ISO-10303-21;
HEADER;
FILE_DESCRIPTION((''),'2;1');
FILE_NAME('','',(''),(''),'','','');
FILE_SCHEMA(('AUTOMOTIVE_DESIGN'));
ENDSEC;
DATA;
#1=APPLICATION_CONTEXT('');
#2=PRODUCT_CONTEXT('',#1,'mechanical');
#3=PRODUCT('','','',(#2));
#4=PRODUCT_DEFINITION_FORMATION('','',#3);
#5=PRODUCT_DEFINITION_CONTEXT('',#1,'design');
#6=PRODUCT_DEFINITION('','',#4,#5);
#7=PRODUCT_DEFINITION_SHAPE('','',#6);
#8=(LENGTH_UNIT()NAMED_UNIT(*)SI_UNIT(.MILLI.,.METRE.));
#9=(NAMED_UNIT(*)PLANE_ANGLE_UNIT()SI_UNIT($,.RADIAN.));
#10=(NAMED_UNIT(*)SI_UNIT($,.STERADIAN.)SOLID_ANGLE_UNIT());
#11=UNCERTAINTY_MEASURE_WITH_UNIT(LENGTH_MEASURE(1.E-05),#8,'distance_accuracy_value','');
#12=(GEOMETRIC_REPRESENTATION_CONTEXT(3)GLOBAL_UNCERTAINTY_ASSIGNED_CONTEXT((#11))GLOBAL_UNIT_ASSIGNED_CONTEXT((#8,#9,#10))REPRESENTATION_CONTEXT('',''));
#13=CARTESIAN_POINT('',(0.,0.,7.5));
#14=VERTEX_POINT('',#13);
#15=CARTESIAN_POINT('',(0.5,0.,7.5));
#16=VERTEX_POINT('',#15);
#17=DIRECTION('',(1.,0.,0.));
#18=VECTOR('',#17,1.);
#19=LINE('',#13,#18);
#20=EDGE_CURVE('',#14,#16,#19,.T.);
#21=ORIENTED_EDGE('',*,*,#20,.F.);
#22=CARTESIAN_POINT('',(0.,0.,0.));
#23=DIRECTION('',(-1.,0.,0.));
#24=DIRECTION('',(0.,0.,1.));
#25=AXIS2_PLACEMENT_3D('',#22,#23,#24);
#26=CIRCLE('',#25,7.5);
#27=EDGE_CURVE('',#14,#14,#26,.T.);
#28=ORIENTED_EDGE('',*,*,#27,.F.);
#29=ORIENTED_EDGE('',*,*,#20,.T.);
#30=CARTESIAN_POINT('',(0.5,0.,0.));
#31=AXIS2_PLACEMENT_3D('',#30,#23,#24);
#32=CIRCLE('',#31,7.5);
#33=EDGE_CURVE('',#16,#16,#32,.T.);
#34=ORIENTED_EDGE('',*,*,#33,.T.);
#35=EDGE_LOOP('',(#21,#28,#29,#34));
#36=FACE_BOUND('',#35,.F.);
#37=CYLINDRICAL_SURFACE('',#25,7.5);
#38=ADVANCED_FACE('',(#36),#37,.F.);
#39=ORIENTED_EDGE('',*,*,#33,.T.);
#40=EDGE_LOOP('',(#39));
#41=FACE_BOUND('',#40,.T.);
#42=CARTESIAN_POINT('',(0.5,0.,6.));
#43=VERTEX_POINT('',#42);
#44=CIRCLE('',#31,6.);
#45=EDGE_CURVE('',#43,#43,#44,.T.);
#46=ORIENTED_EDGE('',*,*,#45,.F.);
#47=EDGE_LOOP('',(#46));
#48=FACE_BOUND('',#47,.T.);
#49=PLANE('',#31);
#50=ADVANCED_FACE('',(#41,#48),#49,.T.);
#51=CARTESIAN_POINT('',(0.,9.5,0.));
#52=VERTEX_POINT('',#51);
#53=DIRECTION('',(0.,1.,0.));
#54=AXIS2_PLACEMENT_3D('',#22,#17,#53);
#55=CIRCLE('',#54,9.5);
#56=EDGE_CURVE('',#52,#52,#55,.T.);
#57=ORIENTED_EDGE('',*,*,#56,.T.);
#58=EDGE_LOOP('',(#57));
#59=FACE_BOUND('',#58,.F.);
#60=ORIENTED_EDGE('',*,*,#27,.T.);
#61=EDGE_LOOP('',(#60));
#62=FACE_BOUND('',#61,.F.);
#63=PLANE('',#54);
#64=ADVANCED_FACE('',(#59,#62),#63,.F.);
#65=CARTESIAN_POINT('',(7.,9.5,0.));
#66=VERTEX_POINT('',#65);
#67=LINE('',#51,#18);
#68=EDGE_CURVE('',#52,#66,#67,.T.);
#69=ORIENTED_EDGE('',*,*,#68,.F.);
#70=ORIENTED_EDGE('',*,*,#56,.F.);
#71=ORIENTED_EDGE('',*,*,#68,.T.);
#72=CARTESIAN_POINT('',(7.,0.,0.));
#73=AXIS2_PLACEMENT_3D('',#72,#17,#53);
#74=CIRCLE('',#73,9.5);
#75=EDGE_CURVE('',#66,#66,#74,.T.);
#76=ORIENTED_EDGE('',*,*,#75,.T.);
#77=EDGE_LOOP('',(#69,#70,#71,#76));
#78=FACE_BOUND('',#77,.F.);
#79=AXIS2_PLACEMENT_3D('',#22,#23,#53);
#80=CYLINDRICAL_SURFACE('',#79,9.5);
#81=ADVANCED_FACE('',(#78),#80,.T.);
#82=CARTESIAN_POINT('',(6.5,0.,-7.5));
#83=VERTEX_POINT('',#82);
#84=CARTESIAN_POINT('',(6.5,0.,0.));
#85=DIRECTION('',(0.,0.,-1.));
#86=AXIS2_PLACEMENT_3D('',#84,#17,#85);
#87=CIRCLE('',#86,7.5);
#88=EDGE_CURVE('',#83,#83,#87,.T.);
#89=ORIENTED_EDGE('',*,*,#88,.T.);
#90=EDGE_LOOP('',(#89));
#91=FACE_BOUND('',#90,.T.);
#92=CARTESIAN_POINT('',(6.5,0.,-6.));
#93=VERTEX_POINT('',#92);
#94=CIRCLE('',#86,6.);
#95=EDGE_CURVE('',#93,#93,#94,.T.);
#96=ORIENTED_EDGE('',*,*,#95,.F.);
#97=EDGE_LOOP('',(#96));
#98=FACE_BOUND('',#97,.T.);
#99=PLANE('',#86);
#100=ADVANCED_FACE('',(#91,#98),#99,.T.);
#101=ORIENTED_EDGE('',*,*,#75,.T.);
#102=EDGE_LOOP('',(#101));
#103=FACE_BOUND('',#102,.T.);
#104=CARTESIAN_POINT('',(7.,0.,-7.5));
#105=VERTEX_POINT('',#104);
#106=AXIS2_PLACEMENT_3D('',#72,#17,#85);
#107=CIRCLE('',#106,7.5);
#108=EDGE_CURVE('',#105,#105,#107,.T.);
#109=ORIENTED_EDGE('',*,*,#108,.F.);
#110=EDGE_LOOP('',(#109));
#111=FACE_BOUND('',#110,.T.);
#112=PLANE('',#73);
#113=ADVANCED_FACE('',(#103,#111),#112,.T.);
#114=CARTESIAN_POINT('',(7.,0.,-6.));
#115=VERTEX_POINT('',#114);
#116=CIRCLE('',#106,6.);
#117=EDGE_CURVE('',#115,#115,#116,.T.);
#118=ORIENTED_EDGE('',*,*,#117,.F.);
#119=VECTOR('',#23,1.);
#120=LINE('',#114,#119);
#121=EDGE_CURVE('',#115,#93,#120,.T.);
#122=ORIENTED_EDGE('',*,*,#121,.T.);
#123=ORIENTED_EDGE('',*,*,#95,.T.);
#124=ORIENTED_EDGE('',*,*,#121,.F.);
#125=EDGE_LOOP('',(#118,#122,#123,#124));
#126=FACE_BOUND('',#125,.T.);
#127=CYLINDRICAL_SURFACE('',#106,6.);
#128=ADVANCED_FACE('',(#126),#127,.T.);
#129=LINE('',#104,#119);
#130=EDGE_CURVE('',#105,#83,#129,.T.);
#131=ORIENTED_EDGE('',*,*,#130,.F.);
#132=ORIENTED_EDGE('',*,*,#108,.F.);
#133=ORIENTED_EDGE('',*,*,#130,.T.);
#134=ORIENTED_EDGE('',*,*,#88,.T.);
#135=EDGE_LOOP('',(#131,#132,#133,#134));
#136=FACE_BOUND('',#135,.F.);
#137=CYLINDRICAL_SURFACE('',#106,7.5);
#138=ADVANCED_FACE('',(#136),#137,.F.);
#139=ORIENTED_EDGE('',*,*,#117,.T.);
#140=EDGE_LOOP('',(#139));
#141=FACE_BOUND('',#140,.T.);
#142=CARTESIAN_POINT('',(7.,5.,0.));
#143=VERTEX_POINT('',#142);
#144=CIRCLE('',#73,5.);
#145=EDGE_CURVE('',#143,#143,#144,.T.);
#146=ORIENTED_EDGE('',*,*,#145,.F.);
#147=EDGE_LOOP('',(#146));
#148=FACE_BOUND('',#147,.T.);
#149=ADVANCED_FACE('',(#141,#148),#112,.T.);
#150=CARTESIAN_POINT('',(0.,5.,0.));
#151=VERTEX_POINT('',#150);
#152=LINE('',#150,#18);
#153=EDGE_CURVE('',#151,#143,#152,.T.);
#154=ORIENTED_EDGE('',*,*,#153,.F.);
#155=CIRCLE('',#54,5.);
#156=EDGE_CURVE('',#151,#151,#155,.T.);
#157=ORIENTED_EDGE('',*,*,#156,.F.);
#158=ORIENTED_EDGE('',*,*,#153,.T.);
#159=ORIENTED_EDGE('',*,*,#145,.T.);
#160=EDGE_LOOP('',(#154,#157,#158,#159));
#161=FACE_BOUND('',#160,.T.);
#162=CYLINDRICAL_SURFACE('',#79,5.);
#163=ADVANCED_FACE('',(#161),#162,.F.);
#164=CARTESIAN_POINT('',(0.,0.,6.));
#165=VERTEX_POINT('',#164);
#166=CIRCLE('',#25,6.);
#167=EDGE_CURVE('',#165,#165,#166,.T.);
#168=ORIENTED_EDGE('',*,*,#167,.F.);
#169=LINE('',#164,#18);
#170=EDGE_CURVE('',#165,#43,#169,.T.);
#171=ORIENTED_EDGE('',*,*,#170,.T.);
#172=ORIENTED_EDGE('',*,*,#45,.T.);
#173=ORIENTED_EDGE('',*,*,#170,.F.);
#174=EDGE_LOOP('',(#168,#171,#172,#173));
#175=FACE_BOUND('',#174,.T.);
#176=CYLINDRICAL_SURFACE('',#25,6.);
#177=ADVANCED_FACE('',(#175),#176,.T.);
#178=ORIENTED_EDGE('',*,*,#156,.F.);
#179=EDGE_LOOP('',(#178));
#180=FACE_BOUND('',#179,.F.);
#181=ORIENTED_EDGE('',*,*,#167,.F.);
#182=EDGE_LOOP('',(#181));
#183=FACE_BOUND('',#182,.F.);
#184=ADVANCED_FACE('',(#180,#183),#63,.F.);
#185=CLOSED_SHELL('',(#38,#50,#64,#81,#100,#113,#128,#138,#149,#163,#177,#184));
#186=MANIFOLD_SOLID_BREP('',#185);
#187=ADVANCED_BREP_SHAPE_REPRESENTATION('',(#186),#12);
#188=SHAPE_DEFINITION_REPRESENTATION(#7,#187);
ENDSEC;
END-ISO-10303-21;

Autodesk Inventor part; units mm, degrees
ref_plane "YZ Plane" through (0, 0, 0) normal (1, 0, 0) x (0, 1, 0)
ref_plane "XZ Plane" through (0, 0, 0) normal (0, 1, 0) x (-1, 0, 0)
ref_plane "XY Plane" through (0, 0, 0) normal (0, 0, 1) x (1, 0, 0)
sketch "スケッチ1" plane through (0, 0, 0) normal (1, 0, 0) x (0, 1, 0)
  circle A0 centre (0, 0) radius 5
  circle A1 centre (0, 0) radius 9.5
  dimension "d0" = 10
  dimension "d1" = 19
extrude "押し出し1" add sketch "スケッチ1" along normal blind 7
sketch "スケッチ2" plane through (7, 0, 0) normal (1, 0, 0) x (0, 0, -1)
  circle A0 centre (0, 0) radius 6
  circle A1 centre (0, 0) radius 7.5
  dimension "d4" = 12
  dimension "d5" = 15
extrude "押し出し2" cut sketch "スケッチ2" against normal blind 0.5
sketch "スケッチ3" plane through (0, 0, 0) normal (-1, 0, 0) x (0, 0, 1)
  circle A0 centre (0, 0) radius 6
  circle A1 centre (0, 0) radius 7.5
  dimension "d8" = 12
  dimension "d9" = 15
extrude "押し出し3" cut sketch "スケッチ3" against normal blind 0.5
properties part number "Bearing_626ZZ" material "ステンレス鋼"
